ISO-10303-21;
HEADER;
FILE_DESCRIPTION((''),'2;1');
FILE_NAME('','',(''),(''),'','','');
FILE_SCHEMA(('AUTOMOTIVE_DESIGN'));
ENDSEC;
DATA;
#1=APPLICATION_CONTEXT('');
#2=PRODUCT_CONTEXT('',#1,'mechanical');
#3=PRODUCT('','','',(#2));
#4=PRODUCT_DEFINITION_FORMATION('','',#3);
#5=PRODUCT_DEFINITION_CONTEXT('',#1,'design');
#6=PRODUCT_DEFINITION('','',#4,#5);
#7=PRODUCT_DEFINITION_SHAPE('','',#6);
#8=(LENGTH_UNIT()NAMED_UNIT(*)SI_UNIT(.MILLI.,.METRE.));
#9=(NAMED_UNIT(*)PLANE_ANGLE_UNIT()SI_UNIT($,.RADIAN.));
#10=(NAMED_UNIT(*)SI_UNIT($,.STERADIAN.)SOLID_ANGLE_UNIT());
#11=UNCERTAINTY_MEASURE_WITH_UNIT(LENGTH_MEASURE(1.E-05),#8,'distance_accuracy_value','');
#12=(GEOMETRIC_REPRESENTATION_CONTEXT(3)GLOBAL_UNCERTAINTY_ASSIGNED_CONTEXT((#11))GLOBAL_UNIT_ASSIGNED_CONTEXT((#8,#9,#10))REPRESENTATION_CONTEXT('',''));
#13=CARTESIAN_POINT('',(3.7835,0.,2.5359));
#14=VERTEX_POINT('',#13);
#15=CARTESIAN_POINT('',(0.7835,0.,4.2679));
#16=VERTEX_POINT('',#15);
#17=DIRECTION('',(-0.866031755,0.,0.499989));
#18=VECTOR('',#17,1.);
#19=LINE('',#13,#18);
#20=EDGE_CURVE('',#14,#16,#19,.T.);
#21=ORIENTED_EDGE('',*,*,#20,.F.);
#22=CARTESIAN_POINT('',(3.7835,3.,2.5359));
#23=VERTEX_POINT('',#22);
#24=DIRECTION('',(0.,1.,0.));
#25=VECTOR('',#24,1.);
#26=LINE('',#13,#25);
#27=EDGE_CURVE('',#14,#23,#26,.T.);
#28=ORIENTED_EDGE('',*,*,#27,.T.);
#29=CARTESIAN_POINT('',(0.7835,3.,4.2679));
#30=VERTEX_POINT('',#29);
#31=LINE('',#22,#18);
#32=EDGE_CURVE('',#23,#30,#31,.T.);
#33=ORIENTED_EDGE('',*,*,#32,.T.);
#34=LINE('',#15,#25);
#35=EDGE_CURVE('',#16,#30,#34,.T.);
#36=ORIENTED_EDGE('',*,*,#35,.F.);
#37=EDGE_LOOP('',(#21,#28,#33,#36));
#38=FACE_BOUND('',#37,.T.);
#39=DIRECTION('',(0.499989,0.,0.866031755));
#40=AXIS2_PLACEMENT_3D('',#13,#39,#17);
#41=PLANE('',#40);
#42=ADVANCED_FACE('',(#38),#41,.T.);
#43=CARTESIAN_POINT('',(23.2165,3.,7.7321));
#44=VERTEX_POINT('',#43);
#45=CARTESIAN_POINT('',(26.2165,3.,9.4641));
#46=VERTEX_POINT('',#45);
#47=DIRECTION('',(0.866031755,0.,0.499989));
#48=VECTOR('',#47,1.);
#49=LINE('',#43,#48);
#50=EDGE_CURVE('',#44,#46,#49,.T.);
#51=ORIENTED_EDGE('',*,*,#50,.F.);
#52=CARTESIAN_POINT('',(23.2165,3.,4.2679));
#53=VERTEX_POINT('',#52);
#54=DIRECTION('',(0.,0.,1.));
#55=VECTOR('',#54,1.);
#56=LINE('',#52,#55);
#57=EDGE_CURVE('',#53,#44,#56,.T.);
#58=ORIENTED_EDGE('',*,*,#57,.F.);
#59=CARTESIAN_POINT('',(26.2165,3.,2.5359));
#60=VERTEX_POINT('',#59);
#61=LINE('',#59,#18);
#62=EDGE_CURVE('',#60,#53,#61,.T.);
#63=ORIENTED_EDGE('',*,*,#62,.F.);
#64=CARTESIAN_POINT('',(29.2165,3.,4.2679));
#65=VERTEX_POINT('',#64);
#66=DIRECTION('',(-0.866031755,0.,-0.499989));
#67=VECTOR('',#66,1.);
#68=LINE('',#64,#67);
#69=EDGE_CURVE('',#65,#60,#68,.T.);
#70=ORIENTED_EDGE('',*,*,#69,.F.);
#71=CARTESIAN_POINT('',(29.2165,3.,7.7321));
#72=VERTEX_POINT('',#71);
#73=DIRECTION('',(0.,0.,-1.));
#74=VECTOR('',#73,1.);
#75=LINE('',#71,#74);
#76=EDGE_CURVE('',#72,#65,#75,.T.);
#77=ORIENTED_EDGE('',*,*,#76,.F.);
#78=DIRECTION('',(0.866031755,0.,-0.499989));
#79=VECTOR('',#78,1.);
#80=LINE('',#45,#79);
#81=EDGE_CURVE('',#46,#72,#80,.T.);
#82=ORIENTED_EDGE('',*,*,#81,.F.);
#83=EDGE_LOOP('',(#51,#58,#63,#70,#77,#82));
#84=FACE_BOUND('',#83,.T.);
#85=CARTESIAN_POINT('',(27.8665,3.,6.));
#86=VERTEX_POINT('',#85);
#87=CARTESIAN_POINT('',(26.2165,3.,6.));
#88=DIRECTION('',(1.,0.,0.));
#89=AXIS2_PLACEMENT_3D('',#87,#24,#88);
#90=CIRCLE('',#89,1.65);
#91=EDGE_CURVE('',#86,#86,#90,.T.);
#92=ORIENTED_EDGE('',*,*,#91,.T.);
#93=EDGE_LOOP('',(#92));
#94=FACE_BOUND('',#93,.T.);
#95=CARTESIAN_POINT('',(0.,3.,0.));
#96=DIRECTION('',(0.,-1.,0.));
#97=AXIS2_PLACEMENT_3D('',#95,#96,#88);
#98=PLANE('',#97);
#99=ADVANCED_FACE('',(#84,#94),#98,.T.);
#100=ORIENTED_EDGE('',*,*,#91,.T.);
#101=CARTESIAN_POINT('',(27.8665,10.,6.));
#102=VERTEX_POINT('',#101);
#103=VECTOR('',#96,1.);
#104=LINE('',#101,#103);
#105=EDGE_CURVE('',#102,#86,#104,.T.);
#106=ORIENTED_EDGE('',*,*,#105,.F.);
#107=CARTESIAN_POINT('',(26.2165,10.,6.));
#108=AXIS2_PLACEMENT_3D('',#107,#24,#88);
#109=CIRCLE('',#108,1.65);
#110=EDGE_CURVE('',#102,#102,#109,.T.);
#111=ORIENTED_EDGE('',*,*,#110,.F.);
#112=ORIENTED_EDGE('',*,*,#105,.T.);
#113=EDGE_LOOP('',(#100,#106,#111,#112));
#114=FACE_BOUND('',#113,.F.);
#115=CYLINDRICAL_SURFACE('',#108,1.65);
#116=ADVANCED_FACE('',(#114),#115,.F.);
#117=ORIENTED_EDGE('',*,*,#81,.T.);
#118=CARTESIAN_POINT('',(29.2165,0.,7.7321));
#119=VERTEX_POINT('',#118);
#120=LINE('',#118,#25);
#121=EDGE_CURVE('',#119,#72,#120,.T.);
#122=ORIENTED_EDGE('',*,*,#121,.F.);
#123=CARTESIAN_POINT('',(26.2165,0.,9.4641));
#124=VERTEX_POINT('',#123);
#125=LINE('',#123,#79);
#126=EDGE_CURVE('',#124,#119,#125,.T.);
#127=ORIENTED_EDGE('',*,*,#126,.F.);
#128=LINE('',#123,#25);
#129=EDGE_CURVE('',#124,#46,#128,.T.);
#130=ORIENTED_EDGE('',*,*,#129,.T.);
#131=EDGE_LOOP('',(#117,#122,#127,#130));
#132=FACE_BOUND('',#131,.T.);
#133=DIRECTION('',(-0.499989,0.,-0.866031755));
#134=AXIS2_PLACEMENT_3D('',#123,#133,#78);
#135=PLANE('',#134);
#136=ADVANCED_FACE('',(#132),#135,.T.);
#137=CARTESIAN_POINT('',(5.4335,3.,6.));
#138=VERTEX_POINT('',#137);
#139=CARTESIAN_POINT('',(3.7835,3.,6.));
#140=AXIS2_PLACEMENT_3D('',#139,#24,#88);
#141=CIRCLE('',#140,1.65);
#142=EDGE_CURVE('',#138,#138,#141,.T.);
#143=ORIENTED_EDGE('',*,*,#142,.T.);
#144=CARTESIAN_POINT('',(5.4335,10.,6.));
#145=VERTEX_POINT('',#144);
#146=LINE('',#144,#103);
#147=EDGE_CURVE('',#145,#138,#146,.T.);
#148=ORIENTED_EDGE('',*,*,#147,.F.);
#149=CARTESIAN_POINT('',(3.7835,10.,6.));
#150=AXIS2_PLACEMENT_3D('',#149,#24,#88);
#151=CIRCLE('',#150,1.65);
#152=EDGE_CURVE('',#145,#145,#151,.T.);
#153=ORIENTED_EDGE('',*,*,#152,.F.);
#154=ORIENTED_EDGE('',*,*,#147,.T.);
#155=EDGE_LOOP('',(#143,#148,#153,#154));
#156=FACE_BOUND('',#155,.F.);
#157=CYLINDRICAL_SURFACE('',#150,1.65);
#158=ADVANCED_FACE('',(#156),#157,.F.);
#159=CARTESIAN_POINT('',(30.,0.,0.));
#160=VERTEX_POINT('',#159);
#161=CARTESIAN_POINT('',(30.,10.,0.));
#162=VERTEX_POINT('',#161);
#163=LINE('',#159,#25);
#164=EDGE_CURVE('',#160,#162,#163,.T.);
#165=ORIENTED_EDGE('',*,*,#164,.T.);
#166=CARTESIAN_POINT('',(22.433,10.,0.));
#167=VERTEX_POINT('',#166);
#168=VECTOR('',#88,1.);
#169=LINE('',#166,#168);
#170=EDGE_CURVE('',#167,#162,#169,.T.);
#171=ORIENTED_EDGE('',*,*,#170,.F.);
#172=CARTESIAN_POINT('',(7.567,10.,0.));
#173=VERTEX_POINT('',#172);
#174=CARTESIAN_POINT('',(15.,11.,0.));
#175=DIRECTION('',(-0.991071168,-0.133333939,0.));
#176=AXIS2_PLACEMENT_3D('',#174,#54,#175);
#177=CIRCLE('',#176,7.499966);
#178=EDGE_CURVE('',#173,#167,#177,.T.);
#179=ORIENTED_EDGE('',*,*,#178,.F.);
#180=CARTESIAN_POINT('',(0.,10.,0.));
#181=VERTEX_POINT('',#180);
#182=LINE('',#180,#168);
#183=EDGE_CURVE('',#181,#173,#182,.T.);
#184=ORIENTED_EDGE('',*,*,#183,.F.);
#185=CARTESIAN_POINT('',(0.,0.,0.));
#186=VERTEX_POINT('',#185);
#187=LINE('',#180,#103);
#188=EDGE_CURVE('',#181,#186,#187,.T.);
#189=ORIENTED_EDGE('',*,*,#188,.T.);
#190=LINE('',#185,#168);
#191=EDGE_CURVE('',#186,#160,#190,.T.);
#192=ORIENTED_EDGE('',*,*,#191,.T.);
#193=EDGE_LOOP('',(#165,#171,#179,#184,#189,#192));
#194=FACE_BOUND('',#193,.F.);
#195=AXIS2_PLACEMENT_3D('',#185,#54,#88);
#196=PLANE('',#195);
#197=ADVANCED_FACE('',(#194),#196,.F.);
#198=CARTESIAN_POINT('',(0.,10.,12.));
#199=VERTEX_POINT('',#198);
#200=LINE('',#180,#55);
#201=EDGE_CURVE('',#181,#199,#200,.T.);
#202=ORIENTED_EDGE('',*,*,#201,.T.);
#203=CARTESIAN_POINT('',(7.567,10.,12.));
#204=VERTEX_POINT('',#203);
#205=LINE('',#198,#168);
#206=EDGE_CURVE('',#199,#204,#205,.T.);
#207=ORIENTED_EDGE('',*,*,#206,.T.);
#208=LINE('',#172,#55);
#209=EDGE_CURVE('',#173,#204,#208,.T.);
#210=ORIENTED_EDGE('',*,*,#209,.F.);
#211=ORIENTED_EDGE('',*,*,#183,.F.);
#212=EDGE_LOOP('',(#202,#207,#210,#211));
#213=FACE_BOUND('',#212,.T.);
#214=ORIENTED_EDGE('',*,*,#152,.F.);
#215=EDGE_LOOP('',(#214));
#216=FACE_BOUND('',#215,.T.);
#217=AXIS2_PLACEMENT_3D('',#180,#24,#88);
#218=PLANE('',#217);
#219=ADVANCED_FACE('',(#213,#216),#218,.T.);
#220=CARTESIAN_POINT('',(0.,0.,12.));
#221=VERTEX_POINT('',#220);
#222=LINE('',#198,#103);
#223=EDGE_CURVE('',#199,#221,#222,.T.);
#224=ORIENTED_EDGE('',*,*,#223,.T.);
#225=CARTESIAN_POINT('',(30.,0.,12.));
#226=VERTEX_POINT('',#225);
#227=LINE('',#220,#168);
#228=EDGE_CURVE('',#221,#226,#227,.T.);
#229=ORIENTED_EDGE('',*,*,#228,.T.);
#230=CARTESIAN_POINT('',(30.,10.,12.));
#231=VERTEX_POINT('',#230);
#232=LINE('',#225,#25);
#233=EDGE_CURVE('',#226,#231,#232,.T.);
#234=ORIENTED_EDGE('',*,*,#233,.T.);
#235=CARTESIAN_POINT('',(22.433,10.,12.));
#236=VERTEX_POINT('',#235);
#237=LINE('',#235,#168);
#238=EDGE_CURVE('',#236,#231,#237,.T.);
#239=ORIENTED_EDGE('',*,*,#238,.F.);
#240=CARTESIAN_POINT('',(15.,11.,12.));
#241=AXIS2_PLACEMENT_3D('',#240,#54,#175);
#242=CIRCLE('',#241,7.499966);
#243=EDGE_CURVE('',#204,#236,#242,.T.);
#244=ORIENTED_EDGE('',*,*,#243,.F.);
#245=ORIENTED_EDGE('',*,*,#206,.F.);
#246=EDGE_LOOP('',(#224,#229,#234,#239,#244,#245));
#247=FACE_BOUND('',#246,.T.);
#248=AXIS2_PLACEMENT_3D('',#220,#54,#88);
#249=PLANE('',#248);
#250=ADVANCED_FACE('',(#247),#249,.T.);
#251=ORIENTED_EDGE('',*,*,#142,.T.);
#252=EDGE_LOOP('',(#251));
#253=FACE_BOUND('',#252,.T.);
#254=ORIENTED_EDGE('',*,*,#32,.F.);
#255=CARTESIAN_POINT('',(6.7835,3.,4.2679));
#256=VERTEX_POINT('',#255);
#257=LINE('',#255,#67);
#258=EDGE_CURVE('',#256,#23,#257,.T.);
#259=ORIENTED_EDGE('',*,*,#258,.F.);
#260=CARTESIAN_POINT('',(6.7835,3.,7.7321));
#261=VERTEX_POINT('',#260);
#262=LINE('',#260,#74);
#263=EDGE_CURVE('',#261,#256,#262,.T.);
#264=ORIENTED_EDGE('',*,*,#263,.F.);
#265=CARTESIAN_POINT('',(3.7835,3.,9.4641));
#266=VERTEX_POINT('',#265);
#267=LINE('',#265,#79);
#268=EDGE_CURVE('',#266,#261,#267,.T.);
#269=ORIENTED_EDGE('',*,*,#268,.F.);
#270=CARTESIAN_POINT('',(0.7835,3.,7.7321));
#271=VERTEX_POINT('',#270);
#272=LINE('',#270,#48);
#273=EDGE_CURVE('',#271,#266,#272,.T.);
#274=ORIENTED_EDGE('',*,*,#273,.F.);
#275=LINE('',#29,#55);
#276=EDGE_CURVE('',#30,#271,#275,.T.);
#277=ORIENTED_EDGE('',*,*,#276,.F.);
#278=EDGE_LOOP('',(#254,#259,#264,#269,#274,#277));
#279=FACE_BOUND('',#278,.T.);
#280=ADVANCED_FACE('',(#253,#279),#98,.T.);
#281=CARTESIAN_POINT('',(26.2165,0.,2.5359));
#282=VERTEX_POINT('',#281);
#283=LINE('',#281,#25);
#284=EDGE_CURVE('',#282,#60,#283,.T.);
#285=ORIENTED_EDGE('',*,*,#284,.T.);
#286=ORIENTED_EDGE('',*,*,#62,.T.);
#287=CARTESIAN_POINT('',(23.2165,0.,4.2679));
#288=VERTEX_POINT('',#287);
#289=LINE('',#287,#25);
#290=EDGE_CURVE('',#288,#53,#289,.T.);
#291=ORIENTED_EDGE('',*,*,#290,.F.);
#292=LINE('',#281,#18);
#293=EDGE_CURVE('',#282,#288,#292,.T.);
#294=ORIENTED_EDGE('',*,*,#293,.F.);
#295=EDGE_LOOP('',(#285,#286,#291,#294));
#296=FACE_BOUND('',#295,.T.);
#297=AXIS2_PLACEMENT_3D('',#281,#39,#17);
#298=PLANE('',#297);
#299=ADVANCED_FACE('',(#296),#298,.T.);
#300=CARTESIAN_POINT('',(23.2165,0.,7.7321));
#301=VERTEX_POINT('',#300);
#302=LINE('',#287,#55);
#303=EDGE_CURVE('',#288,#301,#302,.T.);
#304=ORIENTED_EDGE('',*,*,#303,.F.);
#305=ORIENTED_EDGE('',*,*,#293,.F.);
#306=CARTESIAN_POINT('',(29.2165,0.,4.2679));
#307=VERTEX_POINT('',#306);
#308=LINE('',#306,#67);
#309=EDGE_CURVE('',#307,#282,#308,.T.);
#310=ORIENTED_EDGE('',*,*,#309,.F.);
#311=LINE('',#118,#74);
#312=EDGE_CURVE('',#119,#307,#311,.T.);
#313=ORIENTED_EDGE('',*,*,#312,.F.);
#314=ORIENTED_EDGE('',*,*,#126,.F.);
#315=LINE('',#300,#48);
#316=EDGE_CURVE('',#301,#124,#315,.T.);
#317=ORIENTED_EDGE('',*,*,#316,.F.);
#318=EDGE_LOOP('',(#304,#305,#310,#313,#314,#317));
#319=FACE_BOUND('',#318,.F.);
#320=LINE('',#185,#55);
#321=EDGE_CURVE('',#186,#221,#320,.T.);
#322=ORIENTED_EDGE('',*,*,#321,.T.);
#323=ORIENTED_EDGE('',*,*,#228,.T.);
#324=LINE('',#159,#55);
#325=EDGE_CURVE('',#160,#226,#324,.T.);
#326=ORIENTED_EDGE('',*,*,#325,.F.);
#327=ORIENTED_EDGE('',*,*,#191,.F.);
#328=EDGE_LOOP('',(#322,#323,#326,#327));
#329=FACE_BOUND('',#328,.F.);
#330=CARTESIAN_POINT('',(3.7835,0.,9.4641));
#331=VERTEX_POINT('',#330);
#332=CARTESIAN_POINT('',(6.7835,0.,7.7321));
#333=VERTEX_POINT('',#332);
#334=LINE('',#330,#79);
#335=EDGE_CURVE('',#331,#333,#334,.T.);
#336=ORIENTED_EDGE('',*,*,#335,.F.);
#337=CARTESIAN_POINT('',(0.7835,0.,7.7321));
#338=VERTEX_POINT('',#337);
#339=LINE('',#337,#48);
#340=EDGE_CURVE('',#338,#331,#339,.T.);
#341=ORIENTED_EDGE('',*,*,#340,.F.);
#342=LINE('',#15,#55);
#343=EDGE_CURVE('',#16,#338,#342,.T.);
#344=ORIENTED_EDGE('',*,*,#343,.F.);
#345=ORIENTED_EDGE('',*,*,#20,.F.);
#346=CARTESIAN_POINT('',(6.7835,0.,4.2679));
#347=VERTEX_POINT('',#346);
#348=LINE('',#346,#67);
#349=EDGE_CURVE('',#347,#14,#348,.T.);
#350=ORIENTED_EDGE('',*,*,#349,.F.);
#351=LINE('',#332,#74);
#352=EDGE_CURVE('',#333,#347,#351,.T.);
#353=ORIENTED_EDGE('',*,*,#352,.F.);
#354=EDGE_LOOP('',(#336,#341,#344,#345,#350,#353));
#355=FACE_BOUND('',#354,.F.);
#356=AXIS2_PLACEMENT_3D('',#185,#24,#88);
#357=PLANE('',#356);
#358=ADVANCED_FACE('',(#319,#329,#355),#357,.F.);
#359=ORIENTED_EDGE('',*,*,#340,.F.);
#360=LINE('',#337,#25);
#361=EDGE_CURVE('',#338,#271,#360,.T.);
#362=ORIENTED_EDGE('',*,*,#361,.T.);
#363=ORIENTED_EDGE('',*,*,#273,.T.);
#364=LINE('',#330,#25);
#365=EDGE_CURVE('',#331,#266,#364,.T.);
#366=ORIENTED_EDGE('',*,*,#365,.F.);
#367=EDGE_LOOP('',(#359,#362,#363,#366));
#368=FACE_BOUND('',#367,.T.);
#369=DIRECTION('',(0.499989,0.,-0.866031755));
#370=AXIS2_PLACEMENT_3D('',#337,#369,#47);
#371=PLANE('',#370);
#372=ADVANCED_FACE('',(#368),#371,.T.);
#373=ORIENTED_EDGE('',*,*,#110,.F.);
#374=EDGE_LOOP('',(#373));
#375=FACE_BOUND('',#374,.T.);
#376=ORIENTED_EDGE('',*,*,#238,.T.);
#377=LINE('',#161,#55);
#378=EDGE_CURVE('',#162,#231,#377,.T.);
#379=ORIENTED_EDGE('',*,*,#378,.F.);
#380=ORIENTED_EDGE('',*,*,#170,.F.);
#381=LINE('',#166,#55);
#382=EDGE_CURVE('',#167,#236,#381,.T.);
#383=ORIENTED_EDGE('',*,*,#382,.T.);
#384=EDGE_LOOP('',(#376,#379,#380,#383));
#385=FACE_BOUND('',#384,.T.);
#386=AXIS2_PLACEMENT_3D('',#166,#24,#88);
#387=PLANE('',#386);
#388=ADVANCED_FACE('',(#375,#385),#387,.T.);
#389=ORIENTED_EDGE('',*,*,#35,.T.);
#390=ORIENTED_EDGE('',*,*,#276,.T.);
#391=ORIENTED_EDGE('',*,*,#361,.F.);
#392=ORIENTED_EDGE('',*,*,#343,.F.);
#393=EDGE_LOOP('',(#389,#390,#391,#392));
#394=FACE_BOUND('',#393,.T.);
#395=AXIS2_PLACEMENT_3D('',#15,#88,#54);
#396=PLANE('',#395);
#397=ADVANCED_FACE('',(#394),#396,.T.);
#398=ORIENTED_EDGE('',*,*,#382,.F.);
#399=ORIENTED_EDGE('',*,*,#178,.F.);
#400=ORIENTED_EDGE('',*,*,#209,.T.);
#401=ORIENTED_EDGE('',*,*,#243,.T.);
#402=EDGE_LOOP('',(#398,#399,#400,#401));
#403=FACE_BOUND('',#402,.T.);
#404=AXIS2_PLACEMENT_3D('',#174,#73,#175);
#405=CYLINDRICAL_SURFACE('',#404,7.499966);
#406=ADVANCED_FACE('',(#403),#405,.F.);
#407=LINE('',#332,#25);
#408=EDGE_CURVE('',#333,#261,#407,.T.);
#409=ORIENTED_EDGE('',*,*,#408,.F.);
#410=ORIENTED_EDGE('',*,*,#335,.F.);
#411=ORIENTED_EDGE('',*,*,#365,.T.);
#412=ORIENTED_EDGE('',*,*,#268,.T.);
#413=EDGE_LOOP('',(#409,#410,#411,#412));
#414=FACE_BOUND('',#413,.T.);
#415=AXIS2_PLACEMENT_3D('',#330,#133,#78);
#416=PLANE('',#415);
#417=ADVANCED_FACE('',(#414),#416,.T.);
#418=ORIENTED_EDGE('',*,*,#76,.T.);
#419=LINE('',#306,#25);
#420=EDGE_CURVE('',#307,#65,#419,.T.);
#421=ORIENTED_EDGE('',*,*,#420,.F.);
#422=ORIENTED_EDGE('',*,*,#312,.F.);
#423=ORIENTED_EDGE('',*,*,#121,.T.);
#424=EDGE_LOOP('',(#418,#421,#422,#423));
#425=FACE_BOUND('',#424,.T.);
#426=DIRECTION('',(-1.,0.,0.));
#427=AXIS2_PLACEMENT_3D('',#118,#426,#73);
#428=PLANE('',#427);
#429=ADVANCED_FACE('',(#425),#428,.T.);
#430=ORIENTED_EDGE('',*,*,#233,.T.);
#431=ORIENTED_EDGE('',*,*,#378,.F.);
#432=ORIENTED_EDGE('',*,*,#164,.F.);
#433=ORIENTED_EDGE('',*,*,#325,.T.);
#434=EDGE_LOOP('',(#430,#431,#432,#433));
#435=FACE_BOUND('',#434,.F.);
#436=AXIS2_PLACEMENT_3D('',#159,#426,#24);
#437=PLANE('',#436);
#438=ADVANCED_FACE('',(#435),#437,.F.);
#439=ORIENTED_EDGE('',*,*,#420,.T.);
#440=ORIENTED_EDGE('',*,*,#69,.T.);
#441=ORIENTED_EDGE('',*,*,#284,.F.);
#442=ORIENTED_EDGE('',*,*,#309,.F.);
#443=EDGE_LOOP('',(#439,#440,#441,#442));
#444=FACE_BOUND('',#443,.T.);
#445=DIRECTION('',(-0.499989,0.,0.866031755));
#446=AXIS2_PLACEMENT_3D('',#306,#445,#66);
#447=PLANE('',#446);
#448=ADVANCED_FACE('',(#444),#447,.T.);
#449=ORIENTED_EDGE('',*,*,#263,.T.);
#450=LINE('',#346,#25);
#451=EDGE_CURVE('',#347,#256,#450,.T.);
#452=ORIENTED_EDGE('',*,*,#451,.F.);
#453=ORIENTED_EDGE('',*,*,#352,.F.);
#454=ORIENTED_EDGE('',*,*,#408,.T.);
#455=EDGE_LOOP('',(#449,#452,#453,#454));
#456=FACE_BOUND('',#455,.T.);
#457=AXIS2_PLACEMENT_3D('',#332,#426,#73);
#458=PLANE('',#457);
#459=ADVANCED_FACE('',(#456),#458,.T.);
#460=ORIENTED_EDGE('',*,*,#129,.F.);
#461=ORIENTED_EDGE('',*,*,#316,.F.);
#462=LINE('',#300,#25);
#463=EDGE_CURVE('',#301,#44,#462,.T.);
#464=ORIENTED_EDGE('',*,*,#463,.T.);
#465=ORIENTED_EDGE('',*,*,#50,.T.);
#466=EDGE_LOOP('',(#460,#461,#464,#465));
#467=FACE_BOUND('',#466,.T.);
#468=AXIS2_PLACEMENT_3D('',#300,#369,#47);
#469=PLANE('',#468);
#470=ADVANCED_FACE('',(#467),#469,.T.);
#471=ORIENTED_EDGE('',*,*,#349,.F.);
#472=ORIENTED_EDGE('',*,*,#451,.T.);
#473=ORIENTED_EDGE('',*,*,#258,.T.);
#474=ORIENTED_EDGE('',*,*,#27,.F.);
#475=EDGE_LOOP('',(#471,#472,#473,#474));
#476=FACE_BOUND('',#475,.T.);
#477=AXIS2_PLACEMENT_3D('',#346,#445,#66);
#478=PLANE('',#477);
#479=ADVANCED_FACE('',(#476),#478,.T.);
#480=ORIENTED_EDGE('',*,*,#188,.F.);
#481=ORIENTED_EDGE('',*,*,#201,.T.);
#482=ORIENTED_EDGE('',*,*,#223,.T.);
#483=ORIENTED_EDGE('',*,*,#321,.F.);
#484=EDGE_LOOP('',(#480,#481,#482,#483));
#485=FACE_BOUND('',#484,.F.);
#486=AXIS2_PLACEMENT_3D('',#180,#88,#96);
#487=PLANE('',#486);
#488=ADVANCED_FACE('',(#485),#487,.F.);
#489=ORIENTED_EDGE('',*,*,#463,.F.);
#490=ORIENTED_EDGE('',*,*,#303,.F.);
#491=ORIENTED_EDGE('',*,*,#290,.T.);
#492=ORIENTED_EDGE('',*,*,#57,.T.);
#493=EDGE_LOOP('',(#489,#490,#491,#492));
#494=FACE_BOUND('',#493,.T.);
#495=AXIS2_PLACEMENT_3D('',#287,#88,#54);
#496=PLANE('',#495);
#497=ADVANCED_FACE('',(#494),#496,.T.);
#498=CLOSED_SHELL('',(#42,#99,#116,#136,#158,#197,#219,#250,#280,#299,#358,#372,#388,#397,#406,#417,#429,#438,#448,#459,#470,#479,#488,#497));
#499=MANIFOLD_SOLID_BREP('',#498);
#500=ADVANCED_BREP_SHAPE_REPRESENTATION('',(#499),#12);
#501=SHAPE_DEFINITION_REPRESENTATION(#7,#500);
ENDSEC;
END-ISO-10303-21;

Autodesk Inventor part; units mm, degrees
ref_plane "YZ Plane" through (0, 0, 0) normal (1, 0, 0) x (0, 1, 0)
ref_plane "XZ Plane" through (0, 0, 0) normal (0, 1, 0) x (-1, 0, 0)
ref_plane "XY Plane" through (0, 0, 0) normal (0, 0, 1) x (1, 0, 0)
sketch "Sketch1" plane through (0, 0, 0) normal (0, 0, 1) x (1, 0, 0)
  line L0 (0, 0) -> (30, 0)
  line L1 (30, 0) -> (30, 10)
  line L2 (30, 10) -> (0, 10) construction
  line L3 (0, 10) -> (0, 0)
  arc A0 (7.567, 10) -> (22.433, 10) centre (15, 11) ccw
  line L4 (0, 10) -> (7.567, 10)
  line L5 (22.433, 10) -> (30, 10)
  point P0 (15, 10)
  dimension "d0" = 30
  dimension "d1" = 10
  dimension "d2" = 15
  dimension "d3" = 1
extrude "Extrusion1" add sketch "Sketch1" along normal blind 12
sketch "Sketch2" plane through (0, 10, 0) normal (0, 1, 0) x (1, 0, 0)
  line L0 (0, 0) -> (0, -12) construction
  line L1 (7.567, -12) -> (0, -12) construction
  line L2 (30, -12) -> (22.433, -12) construction
  circle A0 centre (3.7835, -6) radius 1.65
  circle A1 centre (26.2165, -6) radius 1.65
  point P0 (0, -6)
  point P1 (3.7835, -12)
  point P2 (26.2165, -12)
  dimension "d6" = 3.3
  dimension "d7" = 3.3
extrude "Extrusion2" cut sketch "Sketch2" against normal blind 15
sketch "Sketch3" plane through (0, 0, 0) normal (0, -1, 0) x (1, 0, 0)
  circle A0 centre (3.7835, 6) radius 1.65 construction
  circle A1 centre (26.2165, 6) radius 1.65 construction
  line L0 (6.7835, 7.7321) -> (6.7835, 4.2679)
  line L1 (6.7835, 4.2679) -> (3.7835, 2.5359)
  line L2 (3.7835, 2.5359) -> (0.7835, 4.2679)
  line L3 (0.7835, 4.2679) -> (0.7835, 7.7321)
  line L4 (0.7835, 7.7321) -> (3.7835, 9.4641)
  line L5 (3.7835, 9.4641) -> (6.7835, 7.7321)
  line L6 (29.2165, 7.7321) -> (29.2165, 4.2679)
  line L7 (29.2165, 4.2679) -> (26.2165, 2.5359)
  line L8 (26.2165, 2.5359) -> (23.2165, 4.2679)
  line L9 (23.2165, 4.2679) -> (23.2165, 7.7321)
  line L10 (23.2165, 7.7321) -> (26.2165, 9.4641)
  line L11 (26.2165, 9.4641) -> (29.2165, 7.7321)
  point P0 (0, 0)
  dimension "d10" = 6
  dimension "d11" = 6
extrude "Extrusion3" cut sketch "Sketch3" against normal blind 3
equation "\"d6\" = d7"
properties part number "8mm Rod clamp"
